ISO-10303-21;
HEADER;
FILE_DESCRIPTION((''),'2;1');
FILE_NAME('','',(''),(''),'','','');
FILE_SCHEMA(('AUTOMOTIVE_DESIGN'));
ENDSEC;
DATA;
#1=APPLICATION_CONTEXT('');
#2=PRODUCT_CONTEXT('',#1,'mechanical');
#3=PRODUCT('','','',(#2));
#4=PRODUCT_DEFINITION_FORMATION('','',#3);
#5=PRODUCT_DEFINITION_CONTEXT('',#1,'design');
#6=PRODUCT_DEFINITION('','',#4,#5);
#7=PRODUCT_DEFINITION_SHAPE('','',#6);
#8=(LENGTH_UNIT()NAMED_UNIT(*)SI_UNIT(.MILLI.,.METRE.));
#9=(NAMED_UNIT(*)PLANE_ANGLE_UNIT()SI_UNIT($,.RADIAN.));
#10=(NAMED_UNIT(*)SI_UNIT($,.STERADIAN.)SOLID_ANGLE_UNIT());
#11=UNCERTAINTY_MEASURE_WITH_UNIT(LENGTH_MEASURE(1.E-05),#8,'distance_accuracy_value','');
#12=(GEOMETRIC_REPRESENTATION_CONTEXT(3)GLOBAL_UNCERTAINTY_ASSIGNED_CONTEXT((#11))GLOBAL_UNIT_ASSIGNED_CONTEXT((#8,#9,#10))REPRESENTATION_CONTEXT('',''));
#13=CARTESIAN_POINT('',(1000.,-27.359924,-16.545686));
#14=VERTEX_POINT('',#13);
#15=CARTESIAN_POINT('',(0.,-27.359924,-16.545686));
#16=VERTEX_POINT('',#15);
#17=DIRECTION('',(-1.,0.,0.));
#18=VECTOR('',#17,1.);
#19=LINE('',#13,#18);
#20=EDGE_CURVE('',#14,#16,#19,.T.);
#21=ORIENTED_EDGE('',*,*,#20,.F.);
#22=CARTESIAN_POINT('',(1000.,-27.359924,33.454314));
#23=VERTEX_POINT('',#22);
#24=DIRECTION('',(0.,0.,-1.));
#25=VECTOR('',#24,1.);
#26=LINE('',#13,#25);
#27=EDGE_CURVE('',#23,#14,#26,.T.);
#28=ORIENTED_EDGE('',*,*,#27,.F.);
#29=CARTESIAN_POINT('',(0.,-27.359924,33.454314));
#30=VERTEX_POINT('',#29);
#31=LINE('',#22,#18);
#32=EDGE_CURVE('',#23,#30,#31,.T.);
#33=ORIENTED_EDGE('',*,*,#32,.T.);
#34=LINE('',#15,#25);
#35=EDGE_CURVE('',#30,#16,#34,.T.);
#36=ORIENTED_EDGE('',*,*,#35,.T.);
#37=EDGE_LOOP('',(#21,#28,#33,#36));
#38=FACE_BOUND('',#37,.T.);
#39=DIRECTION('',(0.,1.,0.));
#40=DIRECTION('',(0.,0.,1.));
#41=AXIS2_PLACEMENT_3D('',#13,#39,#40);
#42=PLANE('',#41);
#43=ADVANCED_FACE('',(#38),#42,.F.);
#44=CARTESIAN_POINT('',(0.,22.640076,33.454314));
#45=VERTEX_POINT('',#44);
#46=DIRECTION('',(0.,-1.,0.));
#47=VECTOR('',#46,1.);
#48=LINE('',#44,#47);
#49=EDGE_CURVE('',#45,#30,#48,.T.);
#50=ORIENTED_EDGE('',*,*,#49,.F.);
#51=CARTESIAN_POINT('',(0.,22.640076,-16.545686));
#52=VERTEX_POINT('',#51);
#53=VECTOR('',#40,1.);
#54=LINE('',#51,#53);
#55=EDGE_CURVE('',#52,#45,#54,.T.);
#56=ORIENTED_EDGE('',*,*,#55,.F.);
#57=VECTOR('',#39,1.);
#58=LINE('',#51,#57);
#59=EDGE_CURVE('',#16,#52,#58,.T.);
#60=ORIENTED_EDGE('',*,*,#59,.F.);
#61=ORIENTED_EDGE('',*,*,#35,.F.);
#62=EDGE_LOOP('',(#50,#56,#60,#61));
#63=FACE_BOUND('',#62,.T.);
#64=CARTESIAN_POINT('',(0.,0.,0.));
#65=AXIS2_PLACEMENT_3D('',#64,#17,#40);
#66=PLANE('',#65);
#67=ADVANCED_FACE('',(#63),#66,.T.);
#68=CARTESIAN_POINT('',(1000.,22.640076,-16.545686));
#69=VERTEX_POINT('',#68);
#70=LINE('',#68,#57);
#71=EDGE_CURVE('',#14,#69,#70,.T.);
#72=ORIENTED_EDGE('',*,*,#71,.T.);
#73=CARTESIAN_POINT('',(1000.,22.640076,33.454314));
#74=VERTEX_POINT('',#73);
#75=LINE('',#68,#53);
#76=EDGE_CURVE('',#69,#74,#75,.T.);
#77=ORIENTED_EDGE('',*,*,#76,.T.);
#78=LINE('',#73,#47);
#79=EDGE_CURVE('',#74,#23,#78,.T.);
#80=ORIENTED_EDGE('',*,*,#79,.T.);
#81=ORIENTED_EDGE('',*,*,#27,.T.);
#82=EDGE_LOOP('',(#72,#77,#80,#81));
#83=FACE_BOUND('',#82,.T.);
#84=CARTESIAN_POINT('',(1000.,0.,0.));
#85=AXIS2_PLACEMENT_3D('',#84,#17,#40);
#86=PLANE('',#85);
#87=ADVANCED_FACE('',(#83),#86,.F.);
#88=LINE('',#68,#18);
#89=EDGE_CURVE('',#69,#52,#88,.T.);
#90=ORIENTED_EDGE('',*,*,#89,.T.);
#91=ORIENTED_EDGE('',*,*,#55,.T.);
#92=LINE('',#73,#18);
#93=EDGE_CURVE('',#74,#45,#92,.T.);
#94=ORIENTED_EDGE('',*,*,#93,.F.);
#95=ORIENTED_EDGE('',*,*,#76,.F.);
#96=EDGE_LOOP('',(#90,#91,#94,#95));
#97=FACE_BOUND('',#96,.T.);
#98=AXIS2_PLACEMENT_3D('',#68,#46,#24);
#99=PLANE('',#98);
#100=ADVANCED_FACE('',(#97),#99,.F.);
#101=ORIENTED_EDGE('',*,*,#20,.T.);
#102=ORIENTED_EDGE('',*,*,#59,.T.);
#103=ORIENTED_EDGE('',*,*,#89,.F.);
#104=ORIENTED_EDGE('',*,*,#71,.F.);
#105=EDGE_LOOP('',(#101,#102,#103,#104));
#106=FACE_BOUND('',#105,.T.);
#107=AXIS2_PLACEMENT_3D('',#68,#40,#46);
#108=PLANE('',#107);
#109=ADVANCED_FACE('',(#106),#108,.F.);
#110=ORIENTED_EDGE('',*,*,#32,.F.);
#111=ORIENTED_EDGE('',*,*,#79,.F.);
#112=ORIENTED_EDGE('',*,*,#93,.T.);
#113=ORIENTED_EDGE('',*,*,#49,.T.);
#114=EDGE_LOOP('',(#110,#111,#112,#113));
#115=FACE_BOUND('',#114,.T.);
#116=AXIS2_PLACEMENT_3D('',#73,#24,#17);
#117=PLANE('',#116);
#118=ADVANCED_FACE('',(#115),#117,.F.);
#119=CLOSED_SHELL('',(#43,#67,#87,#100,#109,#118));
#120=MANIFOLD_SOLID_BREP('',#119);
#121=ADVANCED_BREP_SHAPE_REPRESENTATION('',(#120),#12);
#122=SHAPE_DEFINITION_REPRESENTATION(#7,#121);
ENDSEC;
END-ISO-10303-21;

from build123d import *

# Parameters (mm, degrees)
SKETCH_1_W      = 50
SKETCH_1_H      = 50
EXTRUDE_1_DEPTH = 1000


with BuildPart() as part:
    # Эскиз1 → Бобышка-Вытянуть1 (new body)
    with BuildSketch(Plane(origin=(0, 0, 0), x_dir=(0, 0, -1), z_dir=(1, 0, 0))):
        with Locations((-8.454314317, -2.359923725)):
            Rectangle(SKETCH_1_W, SKETCH_1_H)
    extrude(amount=EXTRUDE_1_DEPTH)


solid = part.part
